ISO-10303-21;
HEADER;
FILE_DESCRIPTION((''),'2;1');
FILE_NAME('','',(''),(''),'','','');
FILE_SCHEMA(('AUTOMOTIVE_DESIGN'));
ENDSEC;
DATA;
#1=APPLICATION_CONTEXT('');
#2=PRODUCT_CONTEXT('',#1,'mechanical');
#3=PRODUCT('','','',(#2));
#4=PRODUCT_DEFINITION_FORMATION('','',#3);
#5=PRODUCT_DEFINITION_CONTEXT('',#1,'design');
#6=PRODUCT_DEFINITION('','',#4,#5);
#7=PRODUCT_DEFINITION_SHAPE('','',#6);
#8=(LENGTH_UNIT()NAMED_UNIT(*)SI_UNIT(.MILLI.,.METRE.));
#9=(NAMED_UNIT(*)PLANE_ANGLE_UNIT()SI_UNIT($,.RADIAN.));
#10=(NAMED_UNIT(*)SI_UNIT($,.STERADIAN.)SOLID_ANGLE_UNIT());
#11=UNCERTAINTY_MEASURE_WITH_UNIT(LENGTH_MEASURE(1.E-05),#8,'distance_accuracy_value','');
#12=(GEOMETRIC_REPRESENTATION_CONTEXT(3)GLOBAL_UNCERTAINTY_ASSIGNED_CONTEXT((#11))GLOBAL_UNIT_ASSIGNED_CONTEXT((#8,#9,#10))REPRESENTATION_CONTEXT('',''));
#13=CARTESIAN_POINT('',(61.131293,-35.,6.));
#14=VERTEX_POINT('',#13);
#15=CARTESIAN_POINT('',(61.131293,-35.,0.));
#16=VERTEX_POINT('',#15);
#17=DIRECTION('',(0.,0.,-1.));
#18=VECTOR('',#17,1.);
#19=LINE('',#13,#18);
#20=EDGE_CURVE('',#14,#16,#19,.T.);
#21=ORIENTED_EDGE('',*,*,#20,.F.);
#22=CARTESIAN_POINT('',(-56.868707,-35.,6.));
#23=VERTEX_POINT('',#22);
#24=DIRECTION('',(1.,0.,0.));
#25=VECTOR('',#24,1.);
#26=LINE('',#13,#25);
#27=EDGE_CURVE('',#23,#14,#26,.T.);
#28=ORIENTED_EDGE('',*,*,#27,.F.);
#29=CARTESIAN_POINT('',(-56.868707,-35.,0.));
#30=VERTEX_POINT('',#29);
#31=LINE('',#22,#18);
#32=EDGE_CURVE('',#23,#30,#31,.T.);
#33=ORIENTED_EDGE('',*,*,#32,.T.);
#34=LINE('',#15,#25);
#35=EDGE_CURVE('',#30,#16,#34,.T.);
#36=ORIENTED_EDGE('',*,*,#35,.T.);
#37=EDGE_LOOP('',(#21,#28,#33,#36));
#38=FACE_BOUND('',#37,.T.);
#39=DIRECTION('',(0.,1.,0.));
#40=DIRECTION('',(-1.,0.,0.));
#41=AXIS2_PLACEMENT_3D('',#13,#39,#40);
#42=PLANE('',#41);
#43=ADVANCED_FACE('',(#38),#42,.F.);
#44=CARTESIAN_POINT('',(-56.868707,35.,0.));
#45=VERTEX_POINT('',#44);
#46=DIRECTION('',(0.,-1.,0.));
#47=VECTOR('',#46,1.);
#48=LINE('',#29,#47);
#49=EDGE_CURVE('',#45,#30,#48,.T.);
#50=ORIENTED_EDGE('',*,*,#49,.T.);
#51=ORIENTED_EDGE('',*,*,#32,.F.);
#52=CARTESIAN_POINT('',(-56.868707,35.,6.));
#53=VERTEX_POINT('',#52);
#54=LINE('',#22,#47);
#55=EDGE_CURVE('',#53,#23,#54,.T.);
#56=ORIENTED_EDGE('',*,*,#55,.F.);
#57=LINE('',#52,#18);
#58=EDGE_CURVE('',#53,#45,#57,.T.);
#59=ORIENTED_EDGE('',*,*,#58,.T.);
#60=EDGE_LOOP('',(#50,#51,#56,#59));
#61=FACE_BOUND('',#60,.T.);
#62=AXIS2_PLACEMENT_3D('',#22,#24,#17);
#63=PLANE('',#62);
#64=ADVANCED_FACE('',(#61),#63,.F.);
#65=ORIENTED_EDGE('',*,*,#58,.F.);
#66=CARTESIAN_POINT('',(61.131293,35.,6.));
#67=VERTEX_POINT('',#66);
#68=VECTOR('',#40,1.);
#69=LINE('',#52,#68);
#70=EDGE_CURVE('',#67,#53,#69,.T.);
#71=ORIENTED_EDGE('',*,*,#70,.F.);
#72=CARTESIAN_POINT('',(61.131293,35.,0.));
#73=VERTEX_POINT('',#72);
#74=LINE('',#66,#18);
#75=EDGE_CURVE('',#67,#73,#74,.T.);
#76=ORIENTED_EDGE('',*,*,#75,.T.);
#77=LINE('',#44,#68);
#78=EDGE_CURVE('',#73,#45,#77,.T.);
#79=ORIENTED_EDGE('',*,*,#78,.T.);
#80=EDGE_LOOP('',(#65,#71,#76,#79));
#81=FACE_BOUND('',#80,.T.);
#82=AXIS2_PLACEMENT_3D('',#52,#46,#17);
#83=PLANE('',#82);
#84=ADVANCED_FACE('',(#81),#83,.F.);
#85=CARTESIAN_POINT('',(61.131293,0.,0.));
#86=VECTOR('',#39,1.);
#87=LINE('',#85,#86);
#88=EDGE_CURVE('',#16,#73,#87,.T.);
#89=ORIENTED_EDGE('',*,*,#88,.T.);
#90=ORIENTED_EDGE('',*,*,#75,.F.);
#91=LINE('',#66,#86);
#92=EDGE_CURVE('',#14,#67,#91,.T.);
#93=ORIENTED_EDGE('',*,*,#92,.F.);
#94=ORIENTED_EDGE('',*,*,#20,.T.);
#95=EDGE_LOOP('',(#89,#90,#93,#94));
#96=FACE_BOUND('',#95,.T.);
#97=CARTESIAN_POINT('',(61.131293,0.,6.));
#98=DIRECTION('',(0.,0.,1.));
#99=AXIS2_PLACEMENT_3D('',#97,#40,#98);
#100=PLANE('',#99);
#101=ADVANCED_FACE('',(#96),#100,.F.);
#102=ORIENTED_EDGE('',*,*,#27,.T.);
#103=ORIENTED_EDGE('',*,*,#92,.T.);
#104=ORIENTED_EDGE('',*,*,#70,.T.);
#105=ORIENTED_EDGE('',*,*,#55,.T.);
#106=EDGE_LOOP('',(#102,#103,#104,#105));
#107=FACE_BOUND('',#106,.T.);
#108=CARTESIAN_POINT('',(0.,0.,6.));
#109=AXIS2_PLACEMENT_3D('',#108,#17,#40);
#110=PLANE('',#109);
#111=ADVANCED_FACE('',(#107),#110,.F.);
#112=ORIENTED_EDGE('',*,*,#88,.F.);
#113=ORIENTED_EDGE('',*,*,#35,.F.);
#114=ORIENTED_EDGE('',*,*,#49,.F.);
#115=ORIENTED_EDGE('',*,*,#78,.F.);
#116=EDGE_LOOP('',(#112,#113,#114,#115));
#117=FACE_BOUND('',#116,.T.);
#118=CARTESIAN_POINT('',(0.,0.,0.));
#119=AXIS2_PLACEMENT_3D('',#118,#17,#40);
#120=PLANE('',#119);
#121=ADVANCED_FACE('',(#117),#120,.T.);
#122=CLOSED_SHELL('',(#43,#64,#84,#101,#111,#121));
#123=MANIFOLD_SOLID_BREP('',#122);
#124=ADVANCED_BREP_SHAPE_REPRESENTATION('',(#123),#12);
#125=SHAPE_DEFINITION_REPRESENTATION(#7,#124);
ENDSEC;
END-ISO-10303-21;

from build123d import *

# Parameters (mm, degrees)
BOSS_EXTRUDE1_DEPTH = 6


with BuildPart() as part:
    # Sketch2 → Boss-Extrude1 (new body)
    with BuildSketch(Plane.XY):
        Polygon((61.131293058, 0), (61.131293058, -35), (-56.868706942, -35), (-56.868706942, 35), (61.131293058, 35), align=None)
    extrude(amount=BOSS_EXTRUDE1_DEPTH)


solid = part.part
